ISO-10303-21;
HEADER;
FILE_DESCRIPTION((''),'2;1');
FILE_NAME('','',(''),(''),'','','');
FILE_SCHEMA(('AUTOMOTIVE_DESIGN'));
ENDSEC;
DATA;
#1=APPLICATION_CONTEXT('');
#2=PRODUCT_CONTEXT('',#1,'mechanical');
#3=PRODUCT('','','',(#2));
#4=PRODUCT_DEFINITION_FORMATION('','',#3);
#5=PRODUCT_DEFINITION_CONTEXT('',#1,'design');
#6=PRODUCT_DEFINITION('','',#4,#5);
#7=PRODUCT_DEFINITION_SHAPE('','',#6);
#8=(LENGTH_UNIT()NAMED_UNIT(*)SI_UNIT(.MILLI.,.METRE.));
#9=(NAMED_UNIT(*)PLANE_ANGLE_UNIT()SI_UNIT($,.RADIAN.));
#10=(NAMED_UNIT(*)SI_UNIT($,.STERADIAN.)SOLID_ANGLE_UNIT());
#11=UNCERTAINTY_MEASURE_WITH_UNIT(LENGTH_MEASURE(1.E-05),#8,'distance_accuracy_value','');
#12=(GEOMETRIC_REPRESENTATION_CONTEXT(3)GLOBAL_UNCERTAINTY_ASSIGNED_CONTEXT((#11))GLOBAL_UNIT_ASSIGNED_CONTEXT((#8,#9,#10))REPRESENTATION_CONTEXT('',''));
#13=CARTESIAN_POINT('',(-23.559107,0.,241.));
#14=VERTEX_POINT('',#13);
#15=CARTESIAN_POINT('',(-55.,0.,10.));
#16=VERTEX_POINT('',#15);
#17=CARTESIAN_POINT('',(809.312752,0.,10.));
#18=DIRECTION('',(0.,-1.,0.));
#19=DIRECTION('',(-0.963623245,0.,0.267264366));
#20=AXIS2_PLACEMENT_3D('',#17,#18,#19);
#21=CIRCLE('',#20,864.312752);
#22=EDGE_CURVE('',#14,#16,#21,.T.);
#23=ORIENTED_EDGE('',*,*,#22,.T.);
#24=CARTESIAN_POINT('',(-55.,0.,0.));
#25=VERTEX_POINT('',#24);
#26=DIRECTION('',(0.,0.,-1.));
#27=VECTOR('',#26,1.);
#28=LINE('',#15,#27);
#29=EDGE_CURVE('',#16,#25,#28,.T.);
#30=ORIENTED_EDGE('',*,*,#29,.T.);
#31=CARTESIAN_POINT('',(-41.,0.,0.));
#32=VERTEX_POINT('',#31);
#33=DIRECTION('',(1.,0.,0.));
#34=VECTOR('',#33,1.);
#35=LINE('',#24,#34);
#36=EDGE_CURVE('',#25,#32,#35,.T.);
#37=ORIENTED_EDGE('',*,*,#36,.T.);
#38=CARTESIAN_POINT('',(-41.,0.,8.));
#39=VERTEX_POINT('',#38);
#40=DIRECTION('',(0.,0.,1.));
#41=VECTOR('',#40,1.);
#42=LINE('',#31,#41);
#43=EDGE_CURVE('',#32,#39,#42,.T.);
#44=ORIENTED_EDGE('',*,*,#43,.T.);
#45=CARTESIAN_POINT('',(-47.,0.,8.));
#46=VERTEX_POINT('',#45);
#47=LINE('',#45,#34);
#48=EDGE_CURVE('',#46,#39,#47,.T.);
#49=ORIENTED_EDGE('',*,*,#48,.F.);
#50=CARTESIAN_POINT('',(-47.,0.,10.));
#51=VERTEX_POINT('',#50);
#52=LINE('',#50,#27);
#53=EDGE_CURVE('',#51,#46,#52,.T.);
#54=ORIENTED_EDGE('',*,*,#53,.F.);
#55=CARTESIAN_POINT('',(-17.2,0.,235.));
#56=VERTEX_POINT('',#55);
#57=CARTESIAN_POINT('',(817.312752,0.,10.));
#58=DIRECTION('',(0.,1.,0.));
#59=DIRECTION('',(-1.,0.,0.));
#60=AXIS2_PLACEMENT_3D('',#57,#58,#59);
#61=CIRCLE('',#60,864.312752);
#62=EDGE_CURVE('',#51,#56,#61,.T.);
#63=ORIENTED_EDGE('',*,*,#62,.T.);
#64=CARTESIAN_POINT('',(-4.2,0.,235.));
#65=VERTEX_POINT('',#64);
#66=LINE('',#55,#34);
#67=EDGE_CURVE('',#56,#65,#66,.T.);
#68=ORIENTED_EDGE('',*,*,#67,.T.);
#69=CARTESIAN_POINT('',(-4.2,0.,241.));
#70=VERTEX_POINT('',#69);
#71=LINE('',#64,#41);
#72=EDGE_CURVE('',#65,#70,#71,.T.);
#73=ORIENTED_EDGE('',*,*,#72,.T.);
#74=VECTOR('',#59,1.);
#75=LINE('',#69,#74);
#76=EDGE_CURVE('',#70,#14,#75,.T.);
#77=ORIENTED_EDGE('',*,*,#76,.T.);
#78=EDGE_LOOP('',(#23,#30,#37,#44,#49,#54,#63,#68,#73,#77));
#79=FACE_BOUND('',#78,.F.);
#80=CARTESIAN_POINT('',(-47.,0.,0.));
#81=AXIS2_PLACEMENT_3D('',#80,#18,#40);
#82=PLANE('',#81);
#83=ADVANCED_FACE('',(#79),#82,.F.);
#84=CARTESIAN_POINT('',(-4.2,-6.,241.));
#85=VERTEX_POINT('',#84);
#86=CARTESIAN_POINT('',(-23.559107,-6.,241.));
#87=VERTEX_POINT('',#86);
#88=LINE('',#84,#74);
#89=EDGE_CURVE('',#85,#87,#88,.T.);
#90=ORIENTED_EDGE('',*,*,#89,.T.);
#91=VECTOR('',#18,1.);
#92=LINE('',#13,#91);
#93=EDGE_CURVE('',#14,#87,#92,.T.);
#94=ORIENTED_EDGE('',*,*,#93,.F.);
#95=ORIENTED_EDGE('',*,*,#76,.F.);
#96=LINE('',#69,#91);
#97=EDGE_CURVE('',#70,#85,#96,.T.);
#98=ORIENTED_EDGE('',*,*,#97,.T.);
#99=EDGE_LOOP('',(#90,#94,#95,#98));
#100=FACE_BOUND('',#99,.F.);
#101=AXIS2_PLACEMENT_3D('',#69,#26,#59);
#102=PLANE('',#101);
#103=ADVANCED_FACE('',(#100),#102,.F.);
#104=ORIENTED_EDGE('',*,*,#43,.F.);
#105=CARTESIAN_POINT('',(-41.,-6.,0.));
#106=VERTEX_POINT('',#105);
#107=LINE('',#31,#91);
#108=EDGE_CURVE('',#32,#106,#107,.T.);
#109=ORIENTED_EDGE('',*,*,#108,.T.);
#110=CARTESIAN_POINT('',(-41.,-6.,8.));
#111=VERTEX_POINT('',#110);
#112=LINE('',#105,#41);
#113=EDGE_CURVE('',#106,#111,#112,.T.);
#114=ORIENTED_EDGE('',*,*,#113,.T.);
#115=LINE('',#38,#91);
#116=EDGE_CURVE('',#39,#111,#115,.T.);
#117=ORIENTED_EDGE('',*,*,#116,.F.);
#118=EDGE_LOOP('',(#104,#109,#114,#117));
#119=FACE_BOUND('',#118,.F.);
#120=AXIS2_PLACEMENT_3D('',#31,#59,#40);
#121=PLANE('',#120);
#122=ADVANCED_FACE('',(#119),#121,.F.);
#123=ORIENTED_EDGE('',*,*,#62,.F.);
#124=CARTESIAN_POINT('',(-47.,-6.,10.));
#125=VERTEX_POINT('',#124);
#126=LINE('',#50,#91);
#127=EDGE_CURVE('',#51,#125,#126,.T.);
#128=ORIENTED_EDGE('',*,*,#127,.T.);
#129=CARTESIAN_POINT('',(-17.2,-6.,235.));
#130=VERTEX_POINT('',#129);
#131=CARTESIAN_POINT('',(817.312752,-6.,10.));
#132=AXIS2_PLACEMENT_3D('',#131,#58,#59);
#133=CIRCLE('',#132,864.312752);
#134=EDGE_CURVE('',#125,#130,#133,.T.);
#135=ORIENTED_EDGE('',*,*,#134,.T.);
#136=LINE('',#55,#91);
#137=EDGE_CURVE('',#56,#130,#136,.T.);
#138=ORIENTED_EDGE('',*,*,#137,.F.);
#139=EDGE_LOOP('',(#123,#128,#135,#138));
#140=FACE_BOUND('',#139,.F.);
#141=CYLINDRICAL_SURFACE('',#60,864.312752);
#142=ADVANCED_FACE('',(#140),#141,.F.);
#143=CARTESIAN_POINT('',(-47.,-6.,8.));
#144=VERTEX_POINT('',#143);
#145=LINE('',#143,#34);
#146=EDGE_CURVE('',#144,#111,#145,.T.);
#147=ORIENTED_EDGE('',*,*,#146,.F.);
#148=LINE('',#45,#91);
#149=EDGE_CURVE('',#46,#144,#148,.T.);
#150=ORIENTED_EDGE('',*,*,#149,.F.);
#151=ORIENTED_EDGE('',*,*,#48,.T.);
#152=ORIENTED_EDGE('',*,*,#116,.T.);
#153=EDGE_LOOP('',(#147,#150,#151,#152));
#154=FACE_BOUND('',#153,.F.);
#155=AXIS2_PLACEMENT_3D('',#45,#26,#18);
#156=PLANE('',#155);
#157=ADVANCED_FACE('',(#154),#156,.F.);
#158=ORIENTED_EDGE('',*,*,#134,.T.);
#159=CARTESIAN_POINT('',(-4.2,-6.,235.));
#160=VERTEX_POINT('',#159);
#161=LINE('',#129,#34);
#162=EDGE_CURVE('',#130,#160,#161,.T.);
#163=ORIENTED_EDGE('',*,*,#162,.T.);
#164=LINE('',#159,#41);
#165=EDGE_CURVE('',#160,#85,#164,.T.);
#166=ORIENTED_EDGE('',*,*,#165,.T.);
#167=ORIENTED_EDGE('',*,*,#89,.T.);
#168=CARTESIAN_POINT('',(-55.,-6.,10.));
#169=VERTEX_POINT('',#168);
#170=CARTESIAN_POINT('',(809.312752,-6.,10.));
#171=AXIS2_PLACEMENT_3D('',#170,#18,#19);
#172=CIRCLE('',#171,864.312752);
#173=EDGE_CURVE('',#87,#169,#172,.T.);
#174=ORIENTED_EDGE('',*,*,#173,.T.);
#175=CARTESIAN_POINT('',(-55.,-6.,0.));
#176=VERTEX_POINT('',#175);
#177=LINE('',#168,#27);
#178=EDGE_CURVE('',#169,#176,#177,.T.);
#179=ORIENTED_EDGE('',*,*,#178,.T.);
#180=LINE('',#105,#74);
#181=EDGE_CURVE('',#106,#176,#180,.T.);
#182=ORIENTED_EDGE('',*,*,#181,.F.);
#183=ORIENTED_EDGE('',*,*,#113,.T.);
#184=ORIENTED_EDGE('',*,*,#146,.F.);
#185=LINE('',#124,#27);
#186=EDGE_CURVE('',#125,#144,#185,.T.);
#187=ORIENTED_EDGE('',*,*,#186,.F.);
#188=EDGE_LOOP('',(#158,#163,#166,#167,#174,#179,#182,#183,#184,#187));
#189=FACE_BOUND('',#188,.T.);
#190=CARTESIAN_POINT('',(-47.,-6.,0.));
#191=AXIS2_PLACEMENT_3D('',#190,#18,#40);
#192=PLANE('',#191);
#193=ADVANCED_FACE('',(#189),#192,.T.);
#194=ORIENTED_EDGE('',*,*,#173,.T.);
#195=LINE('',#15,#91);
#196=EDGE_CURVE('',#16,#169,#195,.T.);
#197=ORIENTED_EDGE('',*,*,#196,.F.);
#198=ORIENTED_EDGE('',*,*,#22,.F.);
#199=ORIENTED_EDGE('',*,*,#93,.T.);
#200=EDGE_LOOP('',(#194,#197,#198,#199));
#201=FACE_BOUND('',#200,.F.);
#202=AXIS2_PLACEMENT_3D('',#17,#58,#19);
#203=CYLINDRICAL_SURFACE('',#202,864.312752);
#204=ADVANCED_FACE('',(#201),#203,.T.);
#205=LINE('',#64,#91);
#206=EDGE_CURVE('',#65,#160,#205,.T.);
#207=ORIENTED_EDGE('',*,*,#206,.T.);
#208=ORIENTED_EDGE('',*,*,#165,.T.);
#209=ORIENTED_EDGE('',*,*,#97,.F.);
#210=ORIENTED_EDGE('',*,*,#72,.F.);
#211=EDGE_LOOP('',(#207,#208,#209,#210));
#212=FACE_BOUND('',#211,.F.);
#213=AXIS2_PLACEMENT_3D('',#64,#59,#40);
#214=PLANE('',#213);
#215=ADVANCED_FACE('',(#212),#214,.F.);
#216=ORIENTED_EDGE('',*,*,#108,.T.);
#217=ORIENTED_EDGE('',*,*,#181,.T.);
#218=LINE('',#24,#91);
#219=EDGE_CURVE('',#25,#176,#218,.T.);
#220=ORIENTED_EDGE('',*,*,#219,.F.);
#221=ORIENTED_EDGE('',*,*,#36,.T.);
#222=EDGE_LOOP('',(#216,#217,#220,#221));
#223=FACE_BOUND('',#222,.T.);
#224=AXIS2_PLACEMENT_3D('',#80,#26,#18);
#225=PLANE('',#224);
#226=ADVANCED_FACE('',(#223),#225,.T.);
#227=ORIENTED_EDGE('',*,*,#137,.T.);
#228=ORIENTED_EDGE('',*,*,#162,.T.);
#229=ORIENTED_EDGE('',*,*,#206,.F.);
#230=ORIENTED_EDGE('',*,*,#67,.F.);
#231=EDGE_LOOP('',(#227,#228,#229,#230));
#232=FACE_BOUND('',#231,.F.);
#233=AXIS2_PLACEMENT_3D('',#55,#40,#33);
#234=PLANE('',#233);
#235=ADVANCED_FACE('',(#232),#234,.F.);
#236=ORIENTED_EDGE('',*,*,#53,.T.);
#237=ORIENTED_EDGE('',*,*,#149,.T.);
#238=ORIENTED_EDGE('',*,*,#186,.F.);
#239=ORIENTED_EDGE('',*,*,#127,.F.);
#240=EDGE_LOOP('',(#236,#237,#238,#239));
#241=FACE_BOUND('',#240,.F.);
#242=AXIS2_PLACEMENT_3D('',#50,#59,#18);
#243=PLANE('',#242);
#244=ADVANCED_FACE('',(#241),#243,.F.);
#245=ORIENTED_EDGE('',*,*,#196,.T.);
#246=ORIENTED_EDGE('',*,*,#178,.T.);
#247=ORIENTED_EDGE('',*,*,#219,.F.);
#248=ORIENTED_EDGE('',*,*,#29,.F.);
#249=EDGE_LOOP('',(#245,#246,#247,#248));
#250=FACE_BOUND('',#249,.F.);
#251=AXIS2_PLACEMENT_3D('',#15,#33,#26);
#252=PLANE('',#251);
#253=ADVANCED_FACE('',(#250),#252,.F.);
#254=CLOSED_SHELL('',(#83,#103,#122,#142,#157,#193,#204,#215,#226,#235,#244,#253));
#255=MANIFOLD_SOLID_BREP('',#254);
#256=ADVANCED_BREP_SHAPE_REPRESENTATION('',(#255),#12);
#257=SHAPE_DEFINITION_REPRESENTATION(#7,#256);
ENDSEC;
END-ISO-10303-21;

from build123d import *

# Parameters (mm, degrees)
F1_DEPTH = 6
F2_DEPTH = 6
F3_DEPTH = 2


with BuildPart() as f1:
    # F0 (on Front) → F1 (new body)
    with BuildSketch(Plane.XZ):
        with BuildLine():
            Line((-17.2, 235), (-4.2, 235))
            Line((-4.2, 235), (-4.2, 241))
            Line((-4.2, 241), (-23.5591068412, 241))
            ThreePointArc((-23.5591068412, 241), (-47.1037067536, 126.5649280043), (-55, 10))
            Line((-55, 10), (-55, 0))
            Line((-55, 0), (-47, 0))
            Line((-47, 0), (-47, 10))
            ThreePointArc((-47, 10), (-39.5176123458, 123.4824215462), (-17.2, 235))
        make_face()
    extrude(amount=F1_DEPTH)

    # F2 (add): a face of the model
    f2_faces = [f1.faces().sort_by_distance(p)[0] for p in [
        (-47, -3, 5),
    ]]
    extrude(f2_faces, amount=F2_DEPTH)

    # F3 (cut): a face of the model
    f3_faces = [f1.faces().sort_by_distance(p)[0] for p in [
        (-44, -3, 10),
    ]]
    extrude(f3_faces, amount=-F3_DEPTH, mode=Mode.SUBTRACT)


solid = f1.part
